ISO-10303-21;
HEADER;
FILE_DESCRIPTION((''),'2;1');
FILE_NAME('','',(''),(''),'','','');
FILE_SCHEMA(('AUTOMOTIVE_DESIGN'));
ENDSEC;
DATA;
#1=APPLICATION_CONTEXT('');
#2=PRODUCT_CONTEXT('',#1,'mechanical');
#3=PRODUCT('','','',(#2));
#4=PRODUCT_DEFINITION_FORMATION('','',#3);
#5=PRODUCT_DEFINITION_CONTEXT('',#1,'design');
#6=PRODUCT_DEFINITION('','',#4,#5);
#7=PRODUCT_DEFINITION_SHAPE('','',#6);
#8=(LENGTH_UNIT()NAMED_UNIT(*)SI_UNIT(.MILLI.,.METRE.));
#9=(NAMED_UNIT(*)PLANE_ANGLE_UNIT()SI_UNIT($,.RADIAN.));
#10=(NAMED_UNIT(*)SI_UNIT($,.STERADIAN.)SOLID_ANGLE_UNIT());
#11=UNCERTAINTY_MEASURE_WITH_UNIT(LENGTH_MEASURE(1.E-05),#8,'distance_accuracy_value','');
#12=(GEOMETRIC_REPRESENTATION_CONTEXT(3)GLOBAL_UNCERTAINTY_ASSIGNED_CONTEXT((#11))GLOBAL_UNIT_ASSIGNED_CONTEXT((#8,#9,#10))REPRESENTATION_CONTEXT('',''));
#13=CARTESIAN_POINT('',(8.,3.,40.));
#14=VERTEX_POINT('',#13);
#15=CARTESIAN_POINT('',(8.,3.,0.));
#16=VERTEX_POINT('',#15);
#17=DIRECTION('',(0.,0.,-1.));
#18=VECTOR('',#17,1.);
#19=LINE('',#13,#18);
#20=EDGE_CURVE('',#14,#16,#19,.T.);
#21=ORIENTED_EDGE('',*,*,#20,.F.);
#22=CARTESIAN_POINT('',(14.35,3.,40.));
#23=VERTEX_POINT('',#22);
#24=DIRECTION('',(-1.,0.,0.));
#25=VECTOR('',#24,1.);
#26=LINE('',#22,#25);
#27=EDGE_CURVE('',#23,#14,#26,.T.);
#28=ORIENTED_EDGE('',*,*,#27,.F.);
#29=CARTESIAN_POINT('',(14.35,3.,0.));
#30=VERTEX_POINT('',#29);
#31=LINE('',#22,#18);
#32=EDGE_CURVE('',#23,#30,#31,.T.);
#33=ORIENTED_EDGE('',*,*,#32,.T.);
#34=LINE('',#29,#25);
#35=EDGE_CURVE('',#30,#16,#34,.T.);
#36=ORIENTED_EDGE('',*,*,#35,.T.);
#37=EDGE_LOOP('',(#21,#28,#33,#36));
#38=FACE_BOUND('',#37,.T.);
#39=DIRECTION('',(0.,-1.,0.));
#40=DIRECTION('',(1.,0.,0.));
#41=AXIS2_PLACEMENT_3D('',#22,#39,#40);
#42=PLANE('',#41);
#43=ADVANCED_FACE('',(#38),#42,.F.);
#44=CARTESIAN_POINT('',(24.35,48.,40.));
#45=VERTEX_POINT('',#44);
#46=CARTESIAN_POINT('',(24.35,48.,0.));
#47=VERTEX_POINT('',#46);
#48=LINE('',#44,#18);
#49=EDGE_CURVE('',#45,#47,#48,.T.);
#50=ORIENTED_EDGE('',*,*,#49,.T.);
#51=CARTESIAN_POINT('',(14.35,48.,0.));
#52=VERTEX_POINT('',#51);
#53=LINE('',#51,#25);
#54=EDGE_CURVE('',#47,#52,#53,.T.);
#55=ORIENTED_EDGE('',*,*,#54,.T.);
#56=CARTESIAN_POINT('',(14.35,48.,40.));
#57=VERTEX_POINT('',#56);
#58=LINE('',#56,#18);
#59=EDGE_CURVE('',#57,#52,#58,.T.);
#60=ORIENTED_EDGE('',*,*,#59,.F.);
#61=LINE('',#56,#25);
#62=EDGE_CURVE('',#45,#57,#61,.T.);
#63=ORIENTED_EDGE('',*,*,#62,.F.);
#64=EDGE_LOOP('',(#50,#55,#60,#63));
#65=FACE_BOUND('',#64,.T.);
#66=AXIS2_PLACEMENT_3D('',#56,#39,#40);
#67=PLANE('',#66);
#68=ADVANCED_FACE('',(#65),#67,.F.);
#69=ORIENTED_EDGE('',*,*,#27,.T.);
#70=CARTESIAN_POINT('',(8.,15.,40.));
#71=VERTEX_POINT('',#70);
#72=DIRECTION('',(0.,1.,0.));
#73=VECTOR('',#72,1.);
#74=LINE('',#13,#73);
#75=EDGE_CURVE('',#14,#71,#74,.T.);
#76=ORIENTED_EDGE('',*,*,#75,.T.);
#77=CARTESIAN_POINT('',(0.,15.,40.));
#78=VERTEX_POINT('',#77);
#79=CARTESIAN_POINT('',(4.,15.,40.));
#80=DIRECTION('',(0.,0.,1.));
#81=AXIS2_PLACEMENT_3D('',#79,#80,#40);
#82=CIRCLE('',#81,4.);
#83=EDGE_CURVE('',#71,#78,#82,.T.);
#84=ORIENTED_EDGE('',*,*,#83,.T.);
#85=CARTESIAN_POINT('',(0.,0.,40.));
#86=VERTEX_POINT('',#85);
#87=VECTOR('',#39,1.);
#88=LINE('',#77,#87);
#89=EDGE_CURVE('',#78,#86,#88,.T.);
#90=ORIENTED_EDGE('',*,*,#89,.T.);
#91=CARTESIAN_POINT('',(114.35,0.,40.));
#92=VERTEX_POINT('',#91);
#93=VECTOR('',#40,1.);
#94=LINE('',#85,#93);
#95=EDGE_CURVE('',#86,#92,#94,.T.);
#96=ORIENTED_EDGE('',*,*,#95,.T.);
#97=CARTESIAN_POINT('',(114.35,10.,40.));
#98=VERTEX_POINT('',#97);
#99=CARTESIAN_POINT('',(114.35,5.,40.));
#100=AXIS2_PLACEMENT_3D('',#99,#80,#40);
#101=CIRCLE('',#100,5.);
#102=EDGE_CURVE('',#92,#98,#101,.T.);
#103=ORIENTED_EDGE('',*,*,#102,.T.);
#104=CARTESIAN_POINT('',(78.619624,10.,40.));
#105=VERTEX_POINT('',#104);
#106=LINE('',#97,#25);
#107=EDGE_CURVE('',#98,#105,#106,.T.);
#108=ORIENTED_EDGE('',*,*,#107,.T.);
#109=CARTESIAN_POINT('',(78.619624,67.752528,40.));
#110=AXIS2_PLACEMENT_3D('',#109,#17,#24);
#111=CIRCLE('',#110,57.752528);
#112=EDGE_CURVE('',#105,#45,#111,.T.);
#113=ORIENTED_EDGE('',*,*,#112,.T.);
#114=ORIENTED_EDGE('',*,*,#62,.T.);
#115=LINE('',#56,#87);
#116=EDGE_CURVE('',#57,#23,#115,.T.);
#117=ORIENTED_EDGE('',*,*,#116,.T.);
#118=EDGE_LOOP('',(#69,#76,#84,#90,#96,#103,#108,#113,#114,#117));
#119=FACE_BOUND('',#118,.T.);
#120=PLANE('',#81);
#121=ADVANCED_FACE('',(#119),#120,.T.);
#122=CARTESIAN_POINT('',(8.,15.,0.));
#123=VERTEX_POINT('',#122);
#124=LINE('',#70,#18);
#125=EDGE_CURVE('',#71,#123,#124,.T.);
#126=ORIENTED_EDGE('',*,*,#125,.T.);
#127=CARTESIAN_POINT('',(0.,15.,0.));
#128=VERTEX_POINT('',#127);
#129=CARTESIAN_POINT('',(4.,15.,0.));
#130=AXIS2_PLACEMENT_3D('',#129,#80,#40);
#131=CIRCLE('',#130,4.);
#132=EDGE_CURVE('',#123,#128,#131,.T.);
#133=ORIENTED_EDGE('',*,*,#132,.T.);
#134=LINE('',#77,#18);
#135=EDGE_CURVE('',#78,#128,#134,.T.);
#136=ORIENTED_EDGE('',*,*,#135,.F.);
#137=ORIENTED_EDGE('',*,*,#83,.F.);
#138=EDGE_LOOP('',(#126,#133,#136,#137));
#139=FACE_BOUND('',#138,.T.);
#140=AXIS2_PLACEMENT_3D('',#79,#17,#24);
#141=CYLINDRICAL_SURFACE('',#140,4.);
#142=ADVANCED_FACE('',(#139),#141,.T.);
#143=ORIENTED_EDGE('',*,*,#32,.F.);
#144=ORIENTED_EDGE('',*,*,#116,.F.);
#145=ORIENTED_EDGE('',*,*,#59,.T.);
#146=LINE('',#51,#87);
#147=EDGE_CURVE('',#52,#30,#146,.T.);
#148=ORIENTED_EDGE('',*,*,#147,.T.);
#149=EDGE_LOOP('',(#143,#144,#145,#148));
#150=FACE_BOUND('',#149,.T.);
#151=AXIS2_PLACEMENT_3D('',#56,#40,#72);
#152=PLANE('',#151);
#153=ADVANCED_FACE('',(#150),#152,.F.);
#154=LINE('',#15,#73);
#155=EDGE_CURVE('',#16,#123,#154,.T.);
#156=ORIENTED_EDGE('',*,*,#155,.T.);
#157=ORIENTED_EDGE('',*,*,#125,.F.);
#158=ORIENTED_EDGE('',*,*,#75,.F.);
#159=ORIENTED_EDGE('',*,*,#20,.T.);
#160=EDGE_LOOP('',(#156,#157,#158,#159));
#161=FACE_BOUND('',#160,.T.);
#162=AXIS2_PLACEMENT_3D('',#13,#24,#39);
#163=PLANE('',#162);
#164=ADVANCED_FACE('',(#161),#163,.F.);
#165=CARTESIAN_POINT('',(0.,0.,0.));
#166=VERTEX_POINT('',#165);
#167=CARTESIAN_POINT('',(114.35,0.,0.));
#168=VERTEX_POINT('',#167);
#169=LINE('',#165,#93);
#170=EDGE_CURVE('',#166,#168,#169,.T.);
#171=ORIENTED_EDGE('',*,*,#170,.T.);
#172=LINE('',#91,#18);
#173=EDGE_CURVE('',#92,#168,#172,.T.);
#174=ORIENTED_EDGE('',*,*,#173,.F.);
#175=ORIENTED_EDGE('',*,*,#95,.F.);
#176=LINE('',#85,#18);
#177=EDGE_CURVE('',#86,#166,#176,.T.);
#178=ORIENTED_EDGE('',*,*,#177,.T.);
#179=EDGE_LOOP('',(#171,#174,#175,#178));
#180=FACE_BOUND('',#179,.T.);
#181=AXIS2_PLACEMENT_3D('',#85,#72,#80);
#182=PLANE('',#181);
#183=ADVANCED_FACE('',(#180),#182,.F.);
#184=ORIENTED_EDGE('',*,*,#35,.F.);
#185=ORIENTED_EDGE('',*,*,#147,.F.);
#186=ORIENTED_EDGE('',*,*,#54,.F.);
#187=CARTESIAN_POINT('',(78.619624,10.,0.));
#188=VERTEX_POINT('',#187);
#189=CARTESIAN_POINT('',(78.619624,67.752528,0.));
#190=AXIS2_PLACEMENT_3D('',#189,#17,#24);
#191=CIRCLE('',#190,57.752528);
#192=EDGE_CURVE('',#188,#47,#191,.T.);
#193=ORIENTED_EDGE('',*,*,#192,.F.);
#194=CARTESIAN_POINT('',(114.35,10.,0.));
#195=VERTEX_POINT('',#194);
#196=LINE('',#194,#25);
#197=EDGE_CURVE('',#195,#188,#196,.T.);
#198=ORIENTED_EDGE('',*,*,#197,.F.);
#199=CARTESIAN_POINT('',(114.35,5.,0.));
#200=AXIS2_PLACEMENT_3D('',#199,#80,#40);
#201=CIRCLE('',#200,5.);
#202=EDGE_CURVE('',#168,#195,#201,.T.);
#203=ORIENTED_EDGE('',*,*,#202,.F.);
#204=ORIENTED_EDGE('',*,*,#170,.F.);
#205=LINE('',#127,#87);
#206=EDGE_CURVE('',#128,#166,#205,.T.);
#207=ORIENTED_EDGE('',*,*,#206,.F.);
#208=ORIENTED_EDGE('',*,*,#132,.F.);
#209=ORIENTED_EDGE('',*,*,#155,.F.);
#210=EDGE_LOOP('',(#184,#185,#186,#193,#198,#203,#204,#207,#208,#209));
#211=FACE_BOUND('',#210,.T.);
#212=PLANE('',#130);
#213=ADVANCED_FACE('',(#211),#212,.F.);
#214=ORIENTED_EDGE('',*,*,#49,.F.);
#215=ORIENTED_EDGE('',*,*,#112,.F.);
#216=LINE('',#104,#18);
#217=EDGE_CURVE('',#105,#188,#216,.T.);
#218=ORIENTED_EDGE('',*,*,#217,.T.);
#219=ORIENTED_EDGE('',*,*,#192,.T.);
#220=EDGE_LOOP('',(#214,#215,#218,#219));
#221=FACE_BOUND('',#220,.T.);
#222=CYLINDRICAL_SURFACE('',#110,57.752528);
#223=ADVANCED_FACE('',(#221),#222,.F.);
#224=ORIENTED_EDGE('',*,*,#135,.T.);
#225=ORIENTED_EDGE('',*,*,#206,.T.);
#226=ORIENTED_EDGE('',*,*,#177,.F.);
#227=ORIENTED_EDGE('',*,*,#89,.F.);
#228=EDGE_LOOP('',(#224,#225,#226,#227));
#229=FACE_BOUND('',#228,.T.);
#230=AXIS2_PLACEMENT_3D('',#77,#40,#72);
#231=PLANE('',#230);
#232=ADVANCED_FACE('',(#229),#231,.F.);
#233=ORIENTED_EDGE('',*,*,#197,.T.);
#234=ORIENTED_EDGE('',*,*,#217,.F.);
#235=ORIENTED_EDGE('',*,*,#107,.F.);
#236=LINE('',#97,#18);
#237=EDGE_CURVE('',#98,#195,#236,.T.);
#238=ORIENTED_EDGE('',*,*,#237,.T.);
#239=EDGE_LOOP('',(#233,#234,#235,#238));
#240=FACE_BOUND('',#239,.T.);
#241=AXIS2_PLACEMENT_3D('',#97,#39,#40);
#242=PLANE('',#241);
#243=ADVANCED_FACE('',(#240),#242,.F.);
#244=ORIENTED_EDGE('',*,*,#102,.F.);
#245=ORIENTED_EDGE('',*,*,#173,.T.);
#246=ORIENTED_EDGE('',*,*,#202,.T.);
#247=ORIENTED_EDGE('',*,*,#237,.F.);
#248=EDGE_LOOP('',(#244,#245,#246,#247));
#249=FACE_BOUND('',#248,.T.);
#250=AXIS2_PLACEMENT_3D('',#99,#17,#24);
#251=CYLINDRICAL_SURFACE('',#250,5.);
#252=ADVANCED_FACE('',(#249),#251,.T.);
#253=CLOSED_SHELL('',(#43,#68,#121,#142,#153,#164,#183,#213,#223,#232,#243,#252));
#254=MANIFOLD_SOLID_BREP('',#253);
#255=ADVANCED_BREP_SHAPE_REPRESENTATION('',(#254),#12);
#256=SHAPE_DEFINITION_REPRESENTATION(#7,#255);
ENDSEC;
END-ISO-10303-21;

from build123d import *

# Parameters (mm, degrees)
BOSS_EXTRUDE1_DEPTH = 40


with BuildPart() as part:
    # Sketch1 → Boss-Extrude1 (new body)
    with BuildSketch(Plane.XY):
        with BuildLine():
            Line((0, 15), (0, 0))
            Line((0, 0), (114.35, 0))
            ThreePointArc((114.35, 0), (119.35, 5), (114.35, 10))
            Line((114.35, 10), (78.619624256, 10))
            ThreePointArc((78.619624256, 10), (45.494135139, 20.4444266), (24.35, 48))
            Line((24.35, 48), (14.35, 48))
            Line((14.35, 48), (14.35, 3))
            Line((14.35, 3), (8, 3))
            Line((8, 3), (8, 15))
            ThreePointArc((8, 15), (4, 19), (0, 15))
        make_face()
    extrude(amount=BOSS_EXTRUDE1_DEPTH)


solid = part.part
